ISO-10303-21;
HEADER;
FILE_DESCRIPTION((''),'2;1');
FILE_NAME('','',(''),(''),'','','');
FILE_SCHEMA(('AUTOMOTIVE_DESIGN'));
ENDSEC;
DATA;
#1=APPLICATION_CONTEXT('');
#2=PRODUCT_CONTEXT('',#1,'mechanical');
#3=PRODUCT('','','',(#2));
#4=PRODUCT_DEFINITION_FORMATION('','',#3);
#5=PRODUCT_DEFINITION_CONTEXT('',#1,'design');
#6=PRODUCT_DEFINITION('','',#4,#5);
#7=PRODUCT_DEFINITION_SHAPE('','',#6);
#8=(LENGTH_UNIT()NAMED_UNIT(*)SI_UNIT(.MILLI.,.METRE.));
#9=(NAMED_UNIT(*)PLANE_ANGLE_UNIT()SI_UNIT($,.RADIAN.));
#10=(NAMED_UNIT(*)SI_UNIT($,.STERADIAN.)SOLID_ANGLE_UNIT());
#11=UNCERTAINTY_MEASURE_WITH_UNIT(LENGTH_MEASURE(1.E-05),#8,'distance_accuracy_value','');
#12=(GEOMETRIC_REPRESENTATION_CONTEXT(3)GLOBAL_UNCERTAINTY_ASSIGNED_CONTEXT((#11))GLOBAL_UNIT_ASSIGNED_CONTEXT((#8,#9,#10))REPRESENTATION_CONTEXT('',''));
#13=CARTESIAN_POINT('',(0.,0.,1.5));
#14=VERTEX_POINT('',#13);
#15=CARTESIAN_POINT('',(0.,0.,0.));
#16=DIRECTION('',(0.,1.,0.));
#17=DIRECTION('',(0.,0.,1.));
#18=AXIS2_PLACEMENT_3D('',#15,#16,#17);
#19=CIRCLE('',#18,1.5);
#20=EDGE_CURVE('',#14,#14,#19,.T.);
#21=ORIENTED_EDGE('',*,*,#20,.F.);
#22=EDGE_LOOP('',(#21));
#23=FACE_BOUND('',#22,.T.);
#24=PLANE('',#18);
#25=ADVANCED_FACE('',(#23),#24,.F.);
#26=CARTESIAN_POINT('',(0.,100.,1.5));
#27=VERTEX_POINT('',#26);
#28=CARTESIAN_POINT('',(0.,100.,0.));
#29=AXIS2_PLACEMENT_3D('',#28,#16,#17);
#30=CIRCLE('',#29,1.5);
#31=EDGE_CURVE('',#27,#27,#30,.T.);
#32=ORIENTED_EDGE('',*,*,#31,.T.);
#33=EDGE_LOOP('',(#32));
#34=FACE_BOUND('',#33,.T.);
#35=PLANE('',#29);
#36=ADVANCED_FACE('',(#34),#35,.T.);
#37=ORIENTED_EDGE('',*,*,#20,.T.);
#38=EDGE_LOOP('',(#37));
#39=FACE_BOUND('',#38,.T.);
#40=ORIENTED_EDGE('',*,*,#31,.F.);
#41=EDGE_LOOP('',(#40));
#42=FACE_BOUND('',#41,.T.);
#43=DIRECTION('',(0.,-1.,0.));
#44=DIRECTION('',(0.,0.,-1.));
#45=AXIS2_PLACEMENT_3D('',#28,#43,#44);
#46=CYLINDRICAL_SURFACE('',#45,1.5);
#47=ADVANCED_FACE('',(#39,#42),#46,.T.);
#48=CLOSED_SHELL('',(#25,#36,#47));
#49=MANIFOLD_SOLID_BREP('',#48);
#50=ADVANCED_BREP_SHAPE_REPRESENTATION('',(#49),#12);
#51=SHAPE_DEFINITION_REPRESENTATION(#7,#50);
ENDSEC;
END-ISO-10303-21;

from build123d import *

# Parameters (mm, degrees)
ESQUISSE1_R        = 1.5
BOSS_EXTRU_1_DEPTH = 100


with BuildPart() as part:
    # Esquisse1 → Boss.-Extru.1 (new body)
    with BuildSketch(Plane(origin=(0, 0, 0), x_dir=(1, 0, 0), z_dir=(0, 1, 0))):
        Circle(ESQUISSE1_R)
    extrude(amount=BOSS_EXTRU_1_DEPTH)


solid = part.part
